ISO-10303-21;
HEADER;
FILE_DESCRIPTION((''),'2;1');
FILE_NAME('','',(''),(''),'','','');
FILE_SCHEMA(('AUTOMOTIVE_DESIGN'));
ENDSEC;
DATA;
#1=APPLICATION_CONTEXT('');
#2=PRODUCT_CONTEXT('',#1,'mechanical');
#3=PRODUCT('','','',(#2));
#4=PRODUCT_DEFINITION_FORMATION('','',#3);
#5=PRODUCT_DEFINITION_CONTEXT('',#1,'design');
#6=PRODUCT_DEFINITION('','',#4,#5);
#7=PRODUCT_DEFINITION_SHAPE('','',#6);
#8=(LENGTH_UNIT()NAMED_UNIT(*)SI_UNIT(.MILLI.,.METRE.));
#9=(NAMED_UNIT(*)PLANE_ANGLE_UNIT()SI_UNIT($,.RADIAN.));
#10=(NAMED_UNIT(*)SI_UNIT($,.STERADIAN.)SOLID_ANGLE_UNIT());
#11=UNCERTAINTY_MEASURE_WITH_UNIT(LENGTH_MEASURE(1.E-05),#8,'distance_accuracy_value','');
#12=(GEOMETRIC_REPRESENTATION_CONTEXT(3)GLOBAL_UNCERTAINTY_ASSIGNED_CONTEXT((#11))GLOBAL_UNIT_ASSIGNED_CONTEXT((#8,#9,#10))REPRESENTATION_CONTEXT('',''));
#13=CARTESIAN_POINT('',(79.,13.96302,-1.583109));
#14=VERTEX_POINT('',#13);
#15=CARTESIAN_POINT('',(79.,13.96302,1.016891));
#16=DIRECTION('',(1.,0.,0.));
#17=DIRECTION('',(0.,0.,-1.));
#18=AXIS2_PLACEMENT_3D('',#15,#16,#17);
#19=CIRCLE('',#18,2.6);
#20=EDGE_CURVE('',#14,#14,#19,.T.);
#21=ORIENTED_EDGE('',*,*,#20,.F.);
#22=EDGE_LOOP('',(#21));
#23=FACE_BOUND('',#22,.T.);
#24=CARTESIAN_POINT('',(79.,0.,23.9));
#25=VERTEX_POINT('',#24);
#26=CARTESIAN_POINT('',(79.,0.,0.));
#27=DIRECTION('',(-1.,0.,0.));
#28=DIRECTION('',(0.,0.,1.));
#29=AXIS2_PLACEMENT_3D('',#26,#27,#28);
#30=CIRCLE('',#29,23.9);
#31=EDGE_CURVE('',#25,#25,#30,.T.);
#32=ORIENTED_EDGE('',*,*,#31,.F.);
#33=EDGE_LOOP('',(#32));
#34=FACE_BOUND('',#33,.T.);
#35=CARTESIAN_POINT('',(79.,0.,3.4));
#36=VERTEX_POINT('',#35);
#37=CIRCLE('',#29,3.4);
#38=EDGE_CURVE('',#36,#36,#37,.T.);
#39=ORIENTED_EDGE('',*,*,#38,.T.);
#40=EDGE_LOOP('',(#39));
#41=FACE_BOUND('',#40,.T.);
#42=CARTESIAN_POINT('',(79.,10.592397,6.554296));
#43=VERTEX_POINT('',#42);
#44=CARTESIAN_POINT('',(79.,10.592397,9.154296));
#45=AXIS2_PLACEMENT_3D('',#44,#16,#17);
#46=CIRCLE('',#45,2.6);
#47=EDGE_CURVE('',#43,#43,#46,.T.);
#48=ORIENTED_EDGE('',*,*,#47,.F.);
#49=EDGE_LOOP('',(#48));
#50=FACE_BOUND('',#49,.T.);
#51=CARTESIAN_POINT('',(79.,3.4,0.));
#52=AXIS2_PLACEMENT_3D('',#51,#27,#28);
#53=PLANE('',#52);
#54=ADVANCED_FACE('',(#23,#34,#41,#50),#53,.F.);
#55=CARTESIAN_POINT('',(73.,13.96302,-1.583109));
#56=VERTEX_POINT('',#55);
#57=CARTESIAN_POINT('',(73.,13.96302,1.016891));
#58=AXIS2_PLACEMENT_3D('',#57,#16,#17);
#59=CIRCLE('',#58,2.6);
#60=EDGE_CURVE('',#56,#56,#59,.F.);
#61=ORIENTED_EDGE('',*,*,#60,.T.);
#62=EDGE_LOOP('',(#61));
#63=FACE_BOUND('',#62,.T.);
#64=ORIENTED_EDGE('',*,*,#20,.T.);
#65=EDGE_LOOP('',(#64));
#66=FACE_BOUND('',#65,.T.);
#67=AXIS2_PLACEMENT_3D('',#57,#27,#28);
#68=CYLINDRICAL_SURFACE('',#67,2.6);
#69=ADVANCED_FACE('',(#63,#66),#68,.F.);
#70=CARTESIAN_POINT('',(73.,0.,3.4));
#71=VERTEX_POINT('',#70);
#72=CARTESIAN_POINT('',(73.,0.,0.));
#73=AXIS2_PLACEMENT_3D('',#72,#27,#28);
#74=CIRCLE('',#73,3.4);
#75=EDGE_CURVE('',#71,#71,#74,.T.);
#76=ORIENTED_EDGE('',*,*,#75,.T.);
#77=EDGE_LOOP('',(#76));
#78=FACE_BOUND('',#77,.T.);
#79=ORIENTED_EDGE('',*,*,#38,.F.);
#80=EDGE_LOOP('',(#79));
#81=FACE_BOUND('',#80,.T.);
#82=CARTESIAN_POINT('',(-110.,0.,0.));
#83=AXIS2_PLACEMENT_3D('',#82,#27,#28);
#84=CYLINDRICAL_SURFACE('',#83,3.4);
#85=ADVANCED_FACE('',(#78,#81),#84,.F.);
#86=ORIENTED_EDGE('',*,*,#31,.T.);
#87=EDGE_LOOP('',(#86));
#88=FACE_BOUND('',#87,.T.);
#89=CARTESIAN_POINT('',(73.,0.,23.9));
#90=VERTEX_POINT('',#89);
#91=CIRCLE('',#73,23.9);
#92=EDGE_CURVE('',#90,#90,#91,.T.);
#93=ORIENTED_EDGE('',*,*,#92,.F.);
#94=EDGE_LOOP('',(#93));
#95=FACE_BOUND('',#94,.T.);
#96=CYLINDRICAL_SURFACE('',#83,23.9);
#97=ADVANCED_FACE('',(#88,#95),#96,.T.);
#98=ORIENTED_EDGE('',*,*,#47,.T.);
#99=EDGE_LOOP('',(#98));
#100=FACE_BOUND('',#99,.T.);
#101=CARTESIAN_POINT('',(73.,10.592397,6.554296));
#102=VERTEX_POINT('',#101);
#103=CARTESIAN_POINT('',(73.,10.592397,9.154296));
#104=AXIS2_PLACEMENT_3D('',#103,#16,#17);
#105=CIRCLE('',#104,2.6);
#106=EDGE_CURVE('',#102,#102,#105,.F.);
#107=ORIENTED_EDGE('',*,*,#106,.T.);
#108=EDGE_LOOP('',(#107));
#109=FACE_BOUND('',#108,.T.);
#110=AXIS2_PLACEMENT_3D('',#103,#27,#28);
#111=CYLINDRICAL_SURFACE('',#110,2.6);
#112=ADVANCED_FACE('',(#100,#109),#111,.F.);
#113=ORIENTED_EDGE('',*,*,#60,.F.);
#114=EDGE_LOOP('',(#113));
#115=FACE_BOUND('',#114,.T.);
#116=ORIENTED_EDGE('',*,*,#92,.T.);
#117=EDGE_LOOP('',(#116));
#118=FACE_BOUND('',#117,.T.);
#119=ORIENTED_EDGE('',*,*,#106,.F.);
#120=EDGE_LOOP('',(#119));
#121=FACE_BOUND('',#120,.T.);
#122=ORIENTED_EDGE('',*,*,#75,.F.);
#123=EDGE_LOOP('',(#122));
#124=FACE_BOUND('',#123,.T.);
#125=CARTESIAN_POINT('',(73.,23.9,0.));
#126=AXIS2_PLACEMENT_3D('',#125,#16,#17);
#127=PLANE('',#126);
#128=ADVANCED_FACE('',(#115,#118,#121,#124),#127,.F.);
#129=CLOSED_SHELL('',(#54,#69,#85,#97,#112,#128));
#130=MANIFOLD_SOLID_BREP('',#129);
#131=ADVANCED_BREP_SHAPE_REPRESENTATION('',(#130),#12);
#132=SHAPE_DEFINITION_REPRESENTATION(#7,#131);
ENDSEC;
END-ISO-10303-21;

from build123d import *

# Parameters (mm, degrees)
AXIAL_PROFILE_MM_W     = 6
AXIAL_PROFILE_MM_H     = 20.5
AXIAL_HOLES_DEPTH      = 86.926829338
AXIAL_HOLES_DEPTH_BACK = 86.926829338
SKETCH2_R              = 2.6


with BuildPart() as part:
    # Axial profile (mm) → Full revolution (revolve)
    with BuildSketch(Plane.XY, mode=Mode.PRIVATE) as full_revolution_sk:
        with Locations((76, 13.65)):
            Rectangle(AXIAL_PROFILE_MM_W, AXIAL_PROFILE_MM_H)
    revolve(full_revolution_sk.sketch.rotate(Axis((-110, 0, 0), (1, 0, 0)), 90), axis=Axis((-110, 0, 0), (1, 0, 0)))

    # Sketch2 → Axial holes (cut, two sides: drawn at the far end of the back side and taken through both)
    with BuildSketch(Plane(origin=(0, 0, 0), x_dir=(0, 0, -1), z_dir=(1, 0, 0)).offset(-AXIAL_HOLES_DEPTH_BACK)):
        with Locations((-1.016890853, 13.963020196)):
            Circle(SKETCH2_R)
        with Locations((-9.154295848, 10.592396684)):
            Circle(SKETCH2_R)
    extrude(amount=AXIAL_HOLES_DEPTH + AXIAL_HOLES_DEPTH_BACK, mode=Mode.SUBTRACT)


solid = part.part
